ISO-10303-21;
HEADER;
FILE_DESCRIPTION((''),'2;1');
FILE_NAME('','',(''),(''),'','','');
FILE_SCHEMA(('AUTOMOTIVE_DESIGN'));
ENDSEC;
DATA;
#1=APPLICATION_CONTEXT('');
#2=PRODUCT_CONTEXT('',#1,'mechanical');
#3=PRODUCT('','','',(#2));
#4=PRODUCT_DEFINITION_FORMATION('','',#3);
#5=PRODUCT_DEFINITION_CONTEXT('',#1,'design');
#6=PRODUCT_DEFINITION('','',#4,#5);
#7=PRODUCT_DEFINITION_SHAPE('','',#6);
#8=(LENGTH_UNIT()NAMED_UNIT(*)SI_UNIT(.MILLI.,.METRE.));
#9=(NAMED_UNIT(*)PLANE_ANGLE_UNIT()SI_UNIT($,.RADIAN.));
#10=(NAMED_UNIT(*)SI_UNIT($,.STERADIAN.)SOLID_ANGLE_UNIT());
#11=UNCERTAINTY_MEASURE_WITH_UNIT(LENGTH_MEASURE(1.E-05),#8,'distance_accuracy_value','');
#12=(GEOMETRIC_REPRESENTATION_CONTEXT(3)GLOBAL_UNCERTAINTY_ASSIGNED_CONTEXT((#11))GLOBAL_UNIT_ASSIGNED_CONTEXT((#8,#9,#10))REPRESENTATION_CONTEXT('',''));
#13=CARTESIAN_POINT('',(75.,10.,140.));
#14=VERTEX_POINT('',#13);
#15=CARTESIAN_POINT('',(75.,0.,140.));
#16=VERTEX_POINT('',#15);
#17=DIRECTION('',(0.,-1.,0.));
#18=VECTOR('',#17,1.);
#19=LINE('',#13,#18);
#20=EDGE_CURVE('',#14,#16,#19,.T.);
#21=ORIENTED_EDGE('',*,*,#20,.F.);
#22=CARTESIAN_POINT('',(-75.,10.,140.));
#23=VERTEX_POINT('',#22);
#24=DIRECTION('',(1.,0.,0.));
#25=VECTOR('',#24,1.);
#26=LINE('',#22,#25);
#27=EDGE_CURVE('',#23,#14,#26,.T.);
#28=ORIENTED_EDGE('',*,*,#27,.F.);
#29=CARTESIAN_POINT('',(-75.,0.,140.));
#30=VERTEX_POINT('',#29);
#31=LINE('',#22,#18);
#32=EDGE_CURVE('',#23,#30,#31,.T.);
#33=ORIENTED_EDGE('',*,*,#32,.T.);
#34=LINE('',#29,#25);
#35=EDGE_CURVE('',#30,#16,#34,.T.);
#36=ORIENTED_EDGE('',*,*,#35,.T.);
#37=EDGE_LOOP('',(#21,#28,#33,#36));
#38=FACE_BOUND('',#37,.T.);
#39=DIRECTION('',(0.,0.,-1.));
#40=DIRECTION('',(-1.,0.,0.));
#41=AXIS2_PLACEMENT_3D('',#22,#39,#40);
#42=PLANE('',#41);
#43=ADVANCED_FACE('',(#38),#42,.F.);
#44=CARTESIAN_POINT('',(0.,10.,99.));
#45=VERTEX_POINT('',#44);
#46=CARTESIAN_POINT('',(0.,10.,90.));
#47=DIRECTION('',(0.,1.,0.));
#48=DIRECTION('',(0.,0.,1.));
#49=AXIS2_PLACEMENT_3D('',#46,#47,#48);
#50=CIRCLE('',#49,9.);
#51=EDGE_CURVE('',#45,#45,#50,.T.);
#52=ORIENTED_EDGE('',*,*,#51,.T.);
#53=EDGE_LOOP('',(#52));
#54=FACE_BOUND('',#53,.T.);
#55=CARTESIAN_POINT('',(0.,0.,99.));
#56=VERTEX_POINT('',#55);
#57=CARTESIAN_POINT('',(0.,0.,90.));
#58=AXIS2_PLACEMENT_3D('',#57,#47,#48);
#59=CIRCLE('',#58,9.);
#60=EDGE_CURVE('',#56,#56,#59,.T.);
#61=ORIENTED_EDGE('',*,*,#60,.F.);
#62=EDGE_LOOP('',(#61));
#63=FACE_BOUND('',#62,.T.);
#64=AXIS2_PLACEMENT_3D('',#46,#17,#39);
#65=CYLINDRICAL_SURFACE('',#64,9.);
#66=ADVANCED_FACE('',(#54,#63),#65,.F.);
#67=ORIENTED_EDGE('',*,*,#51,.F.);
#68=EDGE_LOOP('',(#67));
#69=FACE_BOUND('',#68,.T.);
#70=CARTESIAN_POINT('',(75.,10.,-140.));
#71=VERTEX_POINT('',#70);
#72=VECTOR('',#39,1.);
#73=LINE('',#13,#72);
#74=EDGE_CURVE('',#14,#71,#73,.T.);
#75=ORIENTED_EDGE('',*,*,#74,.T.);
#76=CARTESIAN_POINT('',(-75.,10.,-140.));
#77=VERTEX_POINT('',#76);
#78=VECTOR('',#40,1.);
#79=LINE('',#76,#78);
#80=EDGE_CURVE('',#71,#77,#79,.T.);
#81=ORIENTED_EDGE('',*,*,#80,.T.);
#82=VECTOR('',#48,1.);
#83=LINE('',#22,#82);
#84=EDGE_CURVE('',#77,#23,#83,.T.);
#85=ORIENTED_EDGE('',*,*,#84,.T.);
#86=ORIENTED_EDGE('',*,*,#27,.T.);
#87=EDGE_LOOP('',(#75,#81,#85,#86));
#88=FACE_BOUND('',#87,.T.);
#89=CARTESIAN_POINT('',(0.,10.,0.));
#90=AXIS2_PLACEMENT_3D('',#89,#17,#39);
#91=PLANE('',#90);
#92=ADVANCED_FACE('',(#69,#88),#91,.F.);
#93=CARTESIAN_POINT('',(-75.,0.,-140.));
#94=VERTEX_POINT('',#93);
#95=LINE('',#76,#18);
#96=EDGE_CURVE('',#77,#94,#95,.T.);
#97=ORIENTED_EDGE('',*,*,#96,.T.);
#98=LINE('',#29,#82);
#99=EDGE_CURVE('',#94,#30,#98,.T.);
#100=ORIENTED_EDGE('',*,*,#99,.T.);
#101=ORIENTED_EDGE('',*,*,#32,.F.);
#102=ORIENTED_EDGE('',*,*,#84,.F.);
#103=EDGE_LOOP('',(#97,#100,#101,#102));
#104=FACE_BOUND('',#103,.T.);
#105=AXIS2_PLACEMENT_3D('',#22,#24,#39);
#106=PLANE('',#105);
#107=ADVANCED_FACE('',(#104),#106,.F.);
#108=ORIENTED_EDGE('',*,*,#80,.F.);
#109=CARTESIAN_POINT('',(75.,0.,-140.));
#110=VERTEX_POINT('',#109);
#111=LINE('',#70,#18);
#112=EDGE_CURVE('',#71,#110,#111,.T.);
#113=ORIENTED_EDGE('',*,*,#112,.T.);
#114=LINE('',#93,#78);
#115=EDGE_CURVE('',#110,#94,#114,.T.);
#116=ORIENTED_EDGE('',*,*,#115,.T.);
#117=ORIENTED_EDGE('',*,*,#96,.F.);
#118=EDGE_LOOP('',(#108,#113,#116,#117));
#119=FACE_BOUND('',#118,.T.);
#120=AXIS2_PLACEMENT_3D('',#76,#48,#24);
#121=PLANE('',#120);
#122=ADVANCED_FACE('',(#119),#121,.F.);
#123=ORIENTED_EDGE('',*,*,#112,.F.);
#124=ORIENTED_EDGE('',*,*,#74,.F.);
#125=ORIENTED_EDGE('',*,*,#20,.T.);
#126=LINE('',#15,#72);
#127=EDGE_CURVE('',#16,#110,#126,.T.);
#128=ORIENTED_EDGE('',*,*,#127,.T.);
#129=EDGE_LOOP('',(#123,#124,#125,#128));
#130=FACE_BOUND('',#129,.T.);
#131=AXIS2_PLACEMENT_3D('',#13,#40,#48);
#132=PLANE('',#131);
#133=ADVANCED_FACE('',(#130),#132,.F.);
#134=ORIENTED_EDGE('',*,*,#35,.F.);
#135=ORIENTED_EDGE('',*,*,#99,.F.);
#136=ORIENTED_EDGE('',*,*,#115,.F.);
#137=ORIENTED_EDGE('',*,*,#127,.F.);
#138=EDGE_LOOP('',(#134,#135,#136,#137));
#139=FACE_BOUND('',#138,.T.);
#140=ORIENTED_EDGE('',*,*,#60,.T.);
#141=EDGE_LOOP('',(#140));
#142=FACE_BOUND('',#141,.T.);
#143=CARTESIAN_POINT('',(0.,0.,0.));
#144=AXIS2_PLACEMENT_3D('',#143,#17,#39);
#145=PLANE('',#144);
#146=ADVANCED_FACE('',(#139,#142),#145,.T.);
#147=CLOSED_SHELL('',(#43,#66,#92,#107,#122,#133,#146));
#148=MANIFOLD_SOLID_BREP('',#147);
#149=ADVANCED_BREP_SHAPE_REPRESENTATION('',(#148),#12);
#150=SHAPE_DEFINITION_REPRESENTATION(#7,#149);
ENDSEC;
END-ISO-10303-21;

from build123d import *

# Parameters (mm, degrees)
SKETCH1_W           = 150
SKETCH1_H           = 280
SKETCH1_R           = 9
BOSS_EXTRUDE1_DEPTH = 10


with BuildPart() as part:
    # Sketch1 → Boss-Extrude1 (new body)
    with BuildSketch(Plane(origin=(0, 0, 0), x_dir=(1, 0, 0), z_dir=(0, 1, 0))):
        Rectangle(SKETCH1_W, SKETCH1_H)
        with Locations(Location((0, -90, 0), (0, 0, 270))):
            Circle(SKETCH1_R, mode=Mode.SUBTRACT)
    extrude(amount=BOSS_EXTRUDE1_DEPTH)


solid = part.part
